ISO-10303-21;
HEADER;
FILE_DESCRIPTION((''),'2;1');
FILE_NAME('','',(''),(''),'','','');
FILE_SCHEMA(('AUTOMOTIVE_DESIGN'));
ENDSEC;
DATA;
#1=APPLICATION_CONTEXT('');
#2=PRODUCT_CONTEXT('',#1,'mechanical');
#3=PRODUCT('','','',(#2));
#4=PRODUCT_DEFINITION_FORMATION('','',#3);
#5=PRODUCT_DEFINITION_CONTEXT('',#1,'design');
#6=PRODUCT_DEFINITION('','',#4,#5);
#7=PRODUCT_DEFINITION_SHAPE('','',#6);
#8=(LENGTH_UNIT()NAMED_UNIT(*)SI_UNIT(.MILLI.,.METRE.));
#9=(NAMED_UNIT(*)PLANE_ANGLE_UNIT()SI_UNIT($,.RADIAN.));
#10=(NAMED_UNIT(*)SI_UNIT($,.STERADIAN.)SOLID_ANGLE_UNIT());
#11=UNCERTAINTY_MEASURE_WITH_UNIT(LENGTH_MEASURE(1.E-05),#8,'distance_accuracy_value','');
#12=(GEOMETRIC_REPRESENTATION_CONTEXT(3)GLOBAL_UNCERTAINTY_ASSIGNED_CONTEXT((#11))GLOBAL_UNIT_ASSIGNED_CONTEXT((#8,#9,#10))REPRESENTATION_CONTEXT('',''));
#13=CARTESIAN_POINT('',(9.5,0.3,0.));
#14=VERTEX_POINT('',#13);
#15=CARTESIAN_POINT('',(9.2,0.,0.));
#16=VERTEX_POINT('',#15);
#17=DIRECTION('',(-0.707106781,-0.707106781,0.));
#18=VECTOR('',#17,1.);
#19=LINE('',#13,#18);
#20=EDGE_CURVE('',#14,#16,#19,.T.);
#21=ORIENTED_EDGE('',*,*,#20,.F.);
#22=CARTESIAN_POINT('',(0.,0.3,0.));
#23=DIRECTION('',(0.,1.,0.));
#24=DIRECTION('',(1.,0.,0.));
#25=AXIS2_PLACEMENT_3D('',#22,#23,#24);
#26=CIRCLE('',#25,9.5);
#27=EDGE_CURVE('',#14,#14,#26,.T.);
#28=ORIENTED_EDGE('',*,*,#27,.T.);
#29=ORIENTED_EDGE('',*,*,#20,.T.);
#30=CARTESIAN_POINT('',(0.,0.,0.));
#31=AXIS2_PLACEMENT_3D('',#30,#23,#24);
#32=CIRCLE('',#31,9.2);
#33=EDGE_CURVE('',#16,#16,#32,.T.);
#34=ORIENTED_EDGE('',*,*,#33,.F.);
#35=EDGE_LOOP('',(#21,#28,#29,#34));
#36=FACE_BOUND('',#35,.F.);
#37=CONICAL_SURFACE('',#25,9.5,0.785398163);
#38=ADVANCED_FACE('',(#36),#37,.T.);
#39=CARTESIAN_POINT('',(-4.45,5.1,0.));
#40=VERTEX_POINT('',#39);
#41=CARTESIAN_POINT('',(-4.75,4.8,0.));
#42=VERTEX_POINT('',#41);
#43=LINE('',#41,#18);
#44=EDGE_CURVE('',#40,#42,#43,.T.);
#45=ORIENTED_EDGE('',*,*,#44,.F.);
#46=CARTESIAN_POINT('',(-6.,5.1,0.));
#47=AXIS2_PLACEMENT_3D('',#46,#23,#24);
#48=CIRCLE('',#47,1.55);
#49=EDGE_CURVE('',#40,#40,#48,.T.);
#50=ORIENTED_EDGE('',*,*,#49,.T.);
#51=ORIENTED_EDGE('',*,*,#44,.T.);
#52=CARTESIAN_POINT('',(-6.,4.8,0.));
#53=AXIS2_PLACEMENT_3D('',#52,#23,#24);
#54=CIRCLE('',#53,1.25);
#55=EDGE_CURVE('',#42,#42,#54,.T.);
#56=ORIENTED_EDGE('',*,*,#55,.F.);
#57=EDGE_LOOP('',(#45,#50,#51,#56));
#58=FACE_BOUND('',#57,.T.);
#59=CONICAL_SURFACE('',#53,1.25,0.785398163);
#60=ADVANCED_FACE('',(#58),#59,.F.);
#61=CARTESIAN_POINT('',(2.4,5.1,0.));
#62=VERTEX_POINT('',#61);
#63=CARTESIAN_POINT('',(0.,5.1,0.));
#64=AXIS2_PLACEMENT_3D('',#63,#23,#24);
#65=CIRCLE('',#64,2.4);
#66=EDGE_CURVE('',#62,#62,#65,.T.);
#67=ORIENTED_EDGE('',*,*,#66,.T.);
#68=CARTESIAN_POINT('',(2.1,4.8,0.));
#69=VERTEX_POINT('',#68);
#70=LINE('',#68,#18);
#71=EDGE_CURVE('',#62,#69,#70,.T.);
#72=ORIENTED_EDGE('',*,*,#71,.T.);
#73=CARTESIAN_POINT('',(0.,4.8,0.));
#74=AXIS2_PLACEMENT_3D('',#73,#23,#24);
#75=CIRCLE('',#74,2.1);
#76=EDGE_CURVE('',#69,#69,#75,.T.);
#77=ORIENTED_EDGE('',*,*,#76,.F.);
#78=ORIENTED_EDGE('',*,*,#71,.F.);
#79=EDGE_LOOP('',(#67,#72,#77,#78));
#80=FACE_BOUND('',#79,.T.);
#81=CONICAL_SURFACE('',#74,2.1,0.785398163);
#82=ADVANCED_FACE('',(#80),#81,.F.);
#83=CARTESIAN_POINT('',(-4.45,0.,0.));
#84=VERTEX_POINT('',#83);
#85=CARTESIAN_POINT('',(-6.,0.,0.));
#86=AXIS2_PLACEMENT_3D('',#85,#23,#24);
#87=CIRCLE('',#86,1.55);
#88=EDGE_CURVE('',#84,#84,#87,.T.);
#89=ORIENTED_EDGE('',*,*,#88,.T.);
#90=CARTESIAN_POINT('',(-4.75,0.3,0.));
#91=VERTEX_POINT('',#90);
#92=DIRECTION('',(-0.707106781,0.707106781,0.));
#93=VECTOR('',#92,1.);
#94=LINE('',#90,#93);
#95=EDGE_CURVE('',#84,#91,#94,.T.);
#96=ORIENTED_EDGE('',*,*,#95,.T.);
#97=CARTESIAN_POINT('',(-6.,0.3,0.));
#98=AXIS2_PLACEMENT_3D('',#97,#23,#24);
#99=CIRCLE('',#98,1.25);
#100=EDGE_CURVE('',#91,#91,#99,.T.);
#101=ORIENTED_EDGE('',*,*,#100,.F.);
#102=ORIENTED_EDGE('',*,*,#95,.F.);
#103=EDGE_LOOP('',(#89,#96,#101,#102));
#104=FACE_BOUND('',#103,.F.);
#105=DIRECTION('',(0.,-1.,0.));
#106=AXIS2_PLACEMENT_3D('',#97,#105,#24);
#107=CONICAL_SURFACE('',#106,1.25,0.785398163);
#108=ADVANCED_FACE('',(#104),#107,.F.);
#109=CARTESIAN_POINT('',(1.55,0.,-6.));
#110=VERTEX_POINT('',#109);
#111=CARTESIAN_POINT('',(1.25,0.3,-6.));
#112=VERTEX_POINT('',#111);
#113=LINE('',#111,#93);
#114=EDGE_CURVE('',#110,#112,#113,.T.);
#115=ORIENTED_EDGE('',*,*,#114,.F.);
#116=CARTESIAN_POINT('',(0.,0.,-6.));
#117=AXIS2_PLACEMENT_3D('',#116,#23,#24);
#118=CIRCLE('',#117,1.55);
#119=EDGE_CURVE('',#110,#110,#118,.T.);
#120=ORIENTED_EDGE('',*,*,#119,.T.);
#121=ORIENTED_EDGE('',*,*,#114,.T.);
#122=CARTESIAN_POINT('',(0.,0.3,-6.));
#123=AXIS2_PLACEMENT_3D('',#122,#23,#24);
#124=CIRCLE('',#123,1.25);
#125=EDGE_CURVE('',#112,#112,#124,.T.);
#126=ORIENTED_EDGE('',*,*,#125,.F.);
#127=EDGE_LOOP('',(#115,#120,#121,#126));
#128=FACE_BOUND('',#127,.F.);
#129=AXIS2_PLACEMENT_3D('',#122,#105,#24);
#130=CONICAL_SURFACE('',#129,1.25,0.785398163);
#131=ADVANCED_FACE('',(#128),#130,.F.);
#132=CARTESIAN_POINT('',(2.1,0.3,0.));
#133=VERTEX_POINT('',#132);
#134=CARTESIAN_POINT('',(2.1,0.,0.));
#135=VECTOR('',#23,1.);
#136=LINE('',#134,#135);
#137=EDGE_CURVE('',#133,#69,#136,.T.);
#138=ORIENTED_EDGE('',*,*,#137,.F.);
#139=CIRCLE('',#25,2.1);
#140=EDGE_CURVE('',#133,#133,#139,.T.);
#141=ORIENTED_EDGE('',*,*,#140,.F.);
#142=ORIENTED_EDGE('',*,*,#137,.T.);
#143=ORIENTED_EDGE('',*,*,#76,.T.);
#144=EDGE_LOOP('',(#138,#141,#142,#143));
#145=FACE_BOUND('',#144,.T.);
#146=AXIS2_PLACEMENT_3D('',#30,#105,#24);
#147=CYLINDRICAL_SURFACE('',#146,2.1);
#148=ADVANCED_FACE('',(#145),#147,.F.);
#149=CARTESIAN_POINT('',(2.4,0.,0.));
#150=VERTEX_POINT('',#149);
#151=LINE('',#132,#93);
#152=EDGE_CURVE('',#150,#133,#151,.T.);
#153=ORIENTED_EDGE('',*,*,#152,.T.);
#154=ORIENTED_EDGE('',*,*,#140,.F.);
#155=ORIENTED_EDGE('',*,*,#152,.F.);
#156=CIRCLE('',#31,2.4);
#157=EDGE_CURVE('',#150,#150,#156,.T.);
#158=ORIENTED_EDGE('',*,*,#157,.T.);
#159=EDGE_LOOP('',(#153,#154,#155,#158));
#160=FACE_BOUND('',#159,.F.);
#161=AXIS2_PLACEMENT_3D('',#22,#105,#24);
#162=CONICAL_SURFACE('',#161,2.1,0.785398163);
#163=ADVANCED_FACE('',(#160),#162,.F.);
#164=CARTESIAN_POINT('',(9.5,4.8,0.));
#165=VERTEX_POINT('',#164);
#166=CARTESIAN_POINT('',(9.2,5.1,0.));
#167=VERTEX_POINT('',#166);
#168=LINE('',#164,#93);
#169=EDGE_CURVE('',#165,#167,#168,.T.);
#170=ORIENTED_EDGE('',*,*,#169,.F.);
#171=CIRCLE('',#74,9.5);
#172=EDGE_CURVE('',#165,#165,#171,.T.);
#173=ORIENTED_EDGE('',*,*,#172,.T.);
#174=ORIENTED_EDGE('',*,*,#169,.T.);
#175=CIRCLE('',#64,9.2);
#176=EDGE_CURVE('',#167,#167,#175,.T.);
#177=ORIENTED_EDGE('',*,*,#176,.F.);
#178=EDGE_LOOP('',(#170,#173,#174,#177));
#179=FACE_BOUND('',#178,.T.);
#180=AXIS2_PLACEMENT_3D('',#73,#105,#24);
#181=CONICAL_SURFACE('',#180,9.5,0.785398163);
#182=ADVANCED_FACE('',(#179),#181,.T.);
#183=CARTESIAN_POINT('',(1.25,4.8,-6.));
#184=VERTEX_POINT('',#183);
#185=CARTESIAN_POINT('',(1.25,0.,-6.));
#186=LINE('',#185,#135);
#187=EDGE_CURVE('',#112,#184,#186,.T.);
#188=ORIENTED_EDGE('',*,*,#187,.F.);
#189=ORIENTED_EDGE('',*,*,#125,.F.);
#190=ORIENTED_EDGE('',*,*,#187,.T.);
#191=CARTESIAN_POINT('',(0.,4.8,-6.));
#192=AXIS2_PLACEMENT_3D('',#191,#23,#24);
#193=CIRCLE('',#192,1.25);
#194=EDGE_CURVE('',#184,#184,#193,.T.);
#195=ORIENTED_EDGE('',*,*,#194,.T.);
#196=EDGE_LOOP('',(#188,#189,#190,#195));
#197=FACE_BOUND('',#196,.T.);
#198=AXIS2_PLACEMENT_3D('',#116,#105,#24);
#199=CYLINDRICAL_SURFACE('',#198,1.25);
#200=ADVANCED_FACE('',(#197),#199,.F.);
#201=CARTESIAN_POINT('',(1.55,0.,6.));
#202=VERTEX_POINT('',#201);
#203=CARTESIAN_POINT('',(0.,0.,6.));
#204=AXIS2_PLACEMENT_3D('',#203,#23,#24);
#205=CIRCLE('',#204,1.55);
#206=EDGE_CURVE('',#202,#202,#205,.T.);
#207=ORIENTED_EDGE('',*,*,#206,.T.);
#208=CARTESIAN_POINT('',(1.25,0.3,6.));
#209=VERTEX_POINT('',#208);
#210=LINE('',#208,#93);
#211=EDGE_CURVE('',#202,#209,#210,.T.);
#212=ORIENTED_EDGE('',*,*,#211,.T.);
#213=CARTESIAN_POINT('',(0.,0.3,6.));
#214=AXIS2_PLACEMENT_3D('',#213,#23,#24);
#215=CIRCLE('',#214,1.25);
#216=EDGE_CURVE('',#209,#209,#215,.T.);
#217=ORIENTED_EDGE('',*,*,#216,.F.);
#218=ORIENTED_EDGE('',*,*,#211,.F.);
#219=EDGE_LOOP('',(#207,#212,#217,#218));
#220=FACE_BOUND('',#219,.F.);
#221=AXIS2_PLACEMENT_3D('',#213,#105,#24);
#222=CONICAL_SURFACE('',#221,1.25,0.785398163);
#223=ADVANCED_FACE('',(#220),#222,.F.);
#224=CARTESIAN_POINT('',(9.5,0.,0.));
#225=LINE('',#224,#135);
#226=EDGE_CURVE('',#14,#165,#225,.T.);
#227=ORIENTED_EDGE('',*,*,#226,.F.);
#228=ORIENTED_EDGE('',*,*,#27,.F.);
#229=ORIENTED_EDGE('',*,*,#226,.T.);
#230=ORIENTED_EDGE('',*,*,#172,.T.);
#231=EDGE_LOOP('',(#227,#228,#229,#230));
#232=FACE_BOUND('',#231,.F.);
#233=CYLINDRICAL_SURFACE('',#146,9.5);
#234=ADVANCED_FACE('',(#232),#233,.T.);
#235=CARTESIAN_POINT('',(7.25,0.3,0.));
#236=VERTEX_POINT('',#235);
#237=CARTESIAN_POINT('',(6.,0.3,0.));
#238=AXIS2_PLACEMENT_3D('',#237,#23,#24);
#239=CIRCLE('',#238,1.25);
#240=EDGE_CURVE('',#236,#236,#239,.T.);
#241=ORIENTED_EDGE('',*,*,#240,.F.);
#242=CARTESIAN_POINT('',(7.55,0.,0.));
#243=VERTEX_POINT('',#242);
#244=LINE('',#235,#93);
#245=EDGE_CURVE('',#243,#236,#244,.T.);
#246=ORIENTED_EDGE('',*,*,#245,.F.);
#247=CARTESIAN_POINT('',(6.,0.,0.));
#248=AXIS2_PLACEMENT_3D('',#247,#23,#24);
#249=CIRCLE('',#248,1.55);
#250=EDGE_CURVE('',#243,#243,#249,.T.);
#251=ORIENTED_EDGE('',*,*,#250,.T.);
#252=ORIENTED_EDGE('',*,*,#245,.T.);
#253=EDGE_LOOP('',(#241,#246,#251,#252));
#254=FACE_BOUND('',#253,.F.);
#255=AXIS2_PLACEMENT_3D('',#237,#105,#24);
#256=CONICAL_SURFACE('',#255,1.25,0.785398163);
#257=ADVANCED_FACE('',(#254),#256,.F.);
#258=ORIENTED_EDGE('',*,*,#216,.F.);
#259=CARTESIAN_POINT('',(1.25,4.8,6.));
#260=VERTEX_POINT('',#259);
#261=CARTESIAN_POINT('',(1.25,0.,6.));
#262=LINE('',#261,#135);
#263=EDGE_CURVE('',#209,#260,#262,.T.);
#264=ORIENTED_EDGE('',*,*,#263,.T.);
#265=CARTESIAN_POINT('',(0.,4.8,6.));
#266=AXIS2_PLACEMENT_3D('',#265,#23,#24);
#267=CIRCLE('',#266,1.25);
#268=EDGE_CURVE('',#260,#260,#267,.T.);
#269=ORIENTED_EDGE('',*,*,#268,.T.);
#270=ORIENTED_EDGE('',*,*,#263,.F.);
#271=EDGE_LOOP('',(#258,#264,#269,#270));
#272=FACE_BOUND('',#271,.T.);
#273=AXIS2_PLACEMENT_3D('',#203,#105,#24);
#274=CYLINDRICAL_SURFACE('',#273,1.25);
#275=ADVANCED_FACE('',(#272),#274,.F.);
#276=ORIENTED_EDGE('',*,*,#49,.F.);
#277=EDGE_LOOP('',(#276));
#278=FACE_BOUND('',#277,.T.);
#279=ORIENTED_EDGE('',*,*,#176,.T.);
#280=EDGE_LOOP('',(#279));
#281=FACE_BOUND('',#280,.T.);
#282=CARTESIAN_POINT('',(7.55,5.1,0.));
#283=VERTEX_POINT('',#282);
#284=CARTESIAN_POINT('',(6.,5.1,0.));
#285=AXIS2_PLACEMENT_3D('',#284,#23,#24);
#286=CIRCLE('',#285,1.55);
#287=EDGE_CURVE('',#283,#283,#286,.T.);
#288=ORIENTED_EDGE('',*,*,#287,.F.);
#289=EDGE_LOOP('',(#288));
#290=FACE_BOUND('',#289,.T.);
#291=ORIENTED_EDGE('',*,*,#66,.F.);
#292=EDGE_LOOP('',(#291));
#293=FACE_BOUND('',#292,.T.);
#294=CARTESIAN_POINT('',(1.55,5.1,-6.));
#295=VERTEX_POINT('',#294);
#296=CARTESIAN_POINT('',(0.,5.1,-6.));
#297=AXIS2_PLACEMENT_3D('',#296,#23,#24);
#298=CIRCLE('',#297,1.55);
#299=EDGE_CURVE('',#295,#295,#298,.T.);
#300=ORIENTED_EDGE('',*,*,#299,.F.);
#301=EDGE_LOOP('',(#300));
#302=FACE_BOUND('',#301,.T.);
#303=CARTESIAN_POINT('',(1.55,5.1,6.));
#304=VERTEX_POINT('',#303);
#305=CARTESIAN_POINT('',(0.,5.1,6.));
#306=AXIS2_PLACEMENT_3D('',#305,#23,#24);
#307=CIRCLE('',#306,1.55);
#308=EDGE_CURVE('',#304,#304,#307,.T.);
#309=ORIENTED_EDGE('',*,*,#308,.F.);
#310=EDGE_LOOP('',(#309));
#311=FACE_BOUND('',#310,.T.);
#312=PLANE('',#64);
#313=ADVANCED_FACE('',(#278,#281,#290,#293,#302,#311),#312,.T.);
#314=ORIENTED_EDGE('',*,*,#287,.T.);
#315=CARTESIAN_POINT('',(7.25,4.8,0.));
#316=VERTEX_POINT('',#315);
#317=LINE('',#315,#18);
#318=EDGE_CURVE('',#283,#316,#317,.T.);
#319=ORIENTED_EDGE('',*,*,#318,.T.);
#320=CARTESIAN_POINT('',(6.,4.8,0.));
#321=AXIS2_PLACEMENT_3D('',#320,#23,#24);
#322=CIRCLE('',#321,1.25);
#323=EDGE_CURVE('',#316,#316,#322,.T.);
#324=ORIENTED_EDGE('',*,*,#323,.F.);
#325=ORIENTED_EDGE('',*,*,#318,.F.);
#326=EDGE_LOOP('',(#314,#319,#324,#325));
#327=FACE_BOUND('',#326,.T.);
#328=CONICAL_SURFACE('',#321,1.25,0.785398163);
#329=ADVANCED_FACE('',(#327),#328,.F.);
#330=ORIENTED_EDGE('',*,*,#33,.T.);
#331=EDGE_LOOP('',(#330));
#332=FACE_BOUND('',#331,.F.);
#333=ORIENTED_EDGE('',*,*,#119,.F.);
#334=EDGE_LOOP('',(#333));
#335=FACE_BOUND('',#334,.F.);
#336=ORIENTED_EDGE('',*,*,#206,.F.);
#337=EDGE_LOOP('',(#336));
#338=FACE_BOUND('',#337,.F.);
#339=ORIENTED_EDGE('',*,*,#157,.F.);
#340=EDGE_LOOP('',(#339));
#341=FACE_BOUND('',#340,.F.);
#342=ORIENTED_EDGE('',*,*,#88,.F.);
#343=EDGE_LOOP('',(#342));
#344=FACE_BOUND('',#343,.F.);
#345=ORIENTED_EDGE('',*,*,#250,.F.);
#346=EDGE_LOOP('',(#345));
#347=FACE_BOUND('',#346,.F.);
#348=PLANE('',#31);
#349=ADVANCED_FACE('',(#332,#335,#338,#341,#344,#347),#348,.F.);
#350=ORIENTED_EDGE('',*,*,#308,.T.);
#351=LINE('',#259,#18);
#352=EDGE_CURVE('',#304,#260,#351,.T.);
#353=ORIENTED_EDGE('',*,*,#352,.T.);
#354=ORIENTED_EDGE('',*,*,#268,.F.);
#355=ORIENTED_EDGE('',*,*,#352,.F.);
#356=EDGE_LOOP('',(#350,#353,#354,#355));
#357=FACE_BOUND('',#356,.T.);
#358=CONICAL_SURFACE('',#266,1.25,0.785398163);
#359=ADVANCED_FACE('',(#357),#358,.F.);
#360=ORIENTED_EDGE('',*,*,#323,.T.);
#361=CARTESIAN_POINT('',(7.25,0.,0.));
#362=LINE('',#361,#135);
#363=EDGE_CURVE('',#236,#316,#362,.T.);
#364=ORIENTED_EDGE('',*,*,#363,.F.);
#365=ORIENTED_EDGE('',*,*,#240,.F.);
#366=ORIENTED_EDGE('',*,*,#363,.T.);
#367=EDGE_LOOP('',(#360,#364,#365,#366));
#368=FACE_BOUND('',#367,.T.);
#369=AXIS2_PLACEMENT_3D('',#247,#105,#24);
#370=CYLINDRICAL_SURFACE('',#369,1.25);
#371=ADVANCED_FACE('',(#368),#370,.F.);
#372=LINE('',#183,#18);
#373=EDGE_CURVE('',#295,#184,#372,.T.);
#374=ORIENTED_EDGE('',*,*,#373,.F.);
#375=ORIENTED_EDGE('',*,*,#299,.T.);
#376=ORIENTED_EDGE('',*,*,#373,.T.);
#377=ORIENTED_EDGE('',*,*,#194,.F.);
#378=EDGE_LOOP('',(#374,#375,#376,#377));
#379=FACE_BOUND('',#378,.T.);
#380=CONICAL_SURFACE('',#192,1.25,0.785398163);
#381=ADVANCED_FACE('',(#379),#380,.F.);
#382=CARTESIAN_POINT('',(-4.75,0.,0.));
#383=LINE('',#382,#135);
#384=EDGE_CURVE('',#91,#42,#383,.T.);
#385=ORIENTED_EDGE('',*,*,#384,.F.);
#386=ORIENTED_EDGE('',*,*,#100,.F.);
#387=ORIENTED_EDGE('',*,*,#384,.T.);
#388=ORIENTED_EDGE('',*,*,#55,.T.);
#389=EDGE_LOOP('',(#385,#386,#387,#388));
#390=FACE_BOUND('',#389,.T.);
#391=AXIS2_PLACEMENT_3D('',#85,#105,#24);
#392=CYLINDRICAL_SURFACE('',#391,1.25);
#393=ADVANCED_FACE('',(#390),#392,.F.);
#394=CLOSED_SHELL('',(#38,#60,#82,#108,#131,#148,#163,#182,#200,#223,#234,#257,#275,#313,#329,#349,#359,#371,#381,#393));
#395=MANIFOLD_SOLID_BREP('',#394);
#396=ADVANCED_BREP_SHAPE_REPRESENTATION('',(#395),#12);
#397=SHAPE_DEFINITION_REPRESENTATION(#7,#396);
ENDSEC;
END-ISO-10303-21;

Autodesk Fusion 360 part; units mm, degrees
sketch "Sketch1" plane through (0, 0, 0) normal (0, 1, 0) x (1, 0, 0)
  circle A0 centre (0, 0) radius 9.5
  circle A1 centre (0, 0) radius 2.1
  circle A2 centre (6, 0) radius 1.25
  circle A3 centre (0, 0) radius 6 construction
  circle A4 centre (0, 6) radius 1.25
  circle A5 centre (-6, 0) radius 1.25
  circle A6 centre (0, -6) radius 1.25
  dimension "d1" = 19
  dimension "d2" = 4.2
  dimension "d3" = 2.5
  dimension "d5" = 360
extrude "Extrude1" add sketch "Sketch1" along normal blind 5.1
chamfer "Chamfer1" distance 0.3 angle 45 2 edges at (-8.8571, 5.1, 3.4353) (-8.8571, 0, 3.4353)
chamfer "Chamfer2" distance 0.3 angle 45 10 edges at (-1.9579, 5.1, -0.7594) (-1.1654, 5.1, -6.452) (-7.1654, 5.1, -0.452) (-1.1654, 5.1, 5.548) (4.8346, 5.1, -0.452) (-1.1654, 0, 5.548) (-7.1654, 0, -0.452) (-1.1654, 0, -6.452) (-1.9579, 0, -0.7594) (4.8346, 0, -0.452)
